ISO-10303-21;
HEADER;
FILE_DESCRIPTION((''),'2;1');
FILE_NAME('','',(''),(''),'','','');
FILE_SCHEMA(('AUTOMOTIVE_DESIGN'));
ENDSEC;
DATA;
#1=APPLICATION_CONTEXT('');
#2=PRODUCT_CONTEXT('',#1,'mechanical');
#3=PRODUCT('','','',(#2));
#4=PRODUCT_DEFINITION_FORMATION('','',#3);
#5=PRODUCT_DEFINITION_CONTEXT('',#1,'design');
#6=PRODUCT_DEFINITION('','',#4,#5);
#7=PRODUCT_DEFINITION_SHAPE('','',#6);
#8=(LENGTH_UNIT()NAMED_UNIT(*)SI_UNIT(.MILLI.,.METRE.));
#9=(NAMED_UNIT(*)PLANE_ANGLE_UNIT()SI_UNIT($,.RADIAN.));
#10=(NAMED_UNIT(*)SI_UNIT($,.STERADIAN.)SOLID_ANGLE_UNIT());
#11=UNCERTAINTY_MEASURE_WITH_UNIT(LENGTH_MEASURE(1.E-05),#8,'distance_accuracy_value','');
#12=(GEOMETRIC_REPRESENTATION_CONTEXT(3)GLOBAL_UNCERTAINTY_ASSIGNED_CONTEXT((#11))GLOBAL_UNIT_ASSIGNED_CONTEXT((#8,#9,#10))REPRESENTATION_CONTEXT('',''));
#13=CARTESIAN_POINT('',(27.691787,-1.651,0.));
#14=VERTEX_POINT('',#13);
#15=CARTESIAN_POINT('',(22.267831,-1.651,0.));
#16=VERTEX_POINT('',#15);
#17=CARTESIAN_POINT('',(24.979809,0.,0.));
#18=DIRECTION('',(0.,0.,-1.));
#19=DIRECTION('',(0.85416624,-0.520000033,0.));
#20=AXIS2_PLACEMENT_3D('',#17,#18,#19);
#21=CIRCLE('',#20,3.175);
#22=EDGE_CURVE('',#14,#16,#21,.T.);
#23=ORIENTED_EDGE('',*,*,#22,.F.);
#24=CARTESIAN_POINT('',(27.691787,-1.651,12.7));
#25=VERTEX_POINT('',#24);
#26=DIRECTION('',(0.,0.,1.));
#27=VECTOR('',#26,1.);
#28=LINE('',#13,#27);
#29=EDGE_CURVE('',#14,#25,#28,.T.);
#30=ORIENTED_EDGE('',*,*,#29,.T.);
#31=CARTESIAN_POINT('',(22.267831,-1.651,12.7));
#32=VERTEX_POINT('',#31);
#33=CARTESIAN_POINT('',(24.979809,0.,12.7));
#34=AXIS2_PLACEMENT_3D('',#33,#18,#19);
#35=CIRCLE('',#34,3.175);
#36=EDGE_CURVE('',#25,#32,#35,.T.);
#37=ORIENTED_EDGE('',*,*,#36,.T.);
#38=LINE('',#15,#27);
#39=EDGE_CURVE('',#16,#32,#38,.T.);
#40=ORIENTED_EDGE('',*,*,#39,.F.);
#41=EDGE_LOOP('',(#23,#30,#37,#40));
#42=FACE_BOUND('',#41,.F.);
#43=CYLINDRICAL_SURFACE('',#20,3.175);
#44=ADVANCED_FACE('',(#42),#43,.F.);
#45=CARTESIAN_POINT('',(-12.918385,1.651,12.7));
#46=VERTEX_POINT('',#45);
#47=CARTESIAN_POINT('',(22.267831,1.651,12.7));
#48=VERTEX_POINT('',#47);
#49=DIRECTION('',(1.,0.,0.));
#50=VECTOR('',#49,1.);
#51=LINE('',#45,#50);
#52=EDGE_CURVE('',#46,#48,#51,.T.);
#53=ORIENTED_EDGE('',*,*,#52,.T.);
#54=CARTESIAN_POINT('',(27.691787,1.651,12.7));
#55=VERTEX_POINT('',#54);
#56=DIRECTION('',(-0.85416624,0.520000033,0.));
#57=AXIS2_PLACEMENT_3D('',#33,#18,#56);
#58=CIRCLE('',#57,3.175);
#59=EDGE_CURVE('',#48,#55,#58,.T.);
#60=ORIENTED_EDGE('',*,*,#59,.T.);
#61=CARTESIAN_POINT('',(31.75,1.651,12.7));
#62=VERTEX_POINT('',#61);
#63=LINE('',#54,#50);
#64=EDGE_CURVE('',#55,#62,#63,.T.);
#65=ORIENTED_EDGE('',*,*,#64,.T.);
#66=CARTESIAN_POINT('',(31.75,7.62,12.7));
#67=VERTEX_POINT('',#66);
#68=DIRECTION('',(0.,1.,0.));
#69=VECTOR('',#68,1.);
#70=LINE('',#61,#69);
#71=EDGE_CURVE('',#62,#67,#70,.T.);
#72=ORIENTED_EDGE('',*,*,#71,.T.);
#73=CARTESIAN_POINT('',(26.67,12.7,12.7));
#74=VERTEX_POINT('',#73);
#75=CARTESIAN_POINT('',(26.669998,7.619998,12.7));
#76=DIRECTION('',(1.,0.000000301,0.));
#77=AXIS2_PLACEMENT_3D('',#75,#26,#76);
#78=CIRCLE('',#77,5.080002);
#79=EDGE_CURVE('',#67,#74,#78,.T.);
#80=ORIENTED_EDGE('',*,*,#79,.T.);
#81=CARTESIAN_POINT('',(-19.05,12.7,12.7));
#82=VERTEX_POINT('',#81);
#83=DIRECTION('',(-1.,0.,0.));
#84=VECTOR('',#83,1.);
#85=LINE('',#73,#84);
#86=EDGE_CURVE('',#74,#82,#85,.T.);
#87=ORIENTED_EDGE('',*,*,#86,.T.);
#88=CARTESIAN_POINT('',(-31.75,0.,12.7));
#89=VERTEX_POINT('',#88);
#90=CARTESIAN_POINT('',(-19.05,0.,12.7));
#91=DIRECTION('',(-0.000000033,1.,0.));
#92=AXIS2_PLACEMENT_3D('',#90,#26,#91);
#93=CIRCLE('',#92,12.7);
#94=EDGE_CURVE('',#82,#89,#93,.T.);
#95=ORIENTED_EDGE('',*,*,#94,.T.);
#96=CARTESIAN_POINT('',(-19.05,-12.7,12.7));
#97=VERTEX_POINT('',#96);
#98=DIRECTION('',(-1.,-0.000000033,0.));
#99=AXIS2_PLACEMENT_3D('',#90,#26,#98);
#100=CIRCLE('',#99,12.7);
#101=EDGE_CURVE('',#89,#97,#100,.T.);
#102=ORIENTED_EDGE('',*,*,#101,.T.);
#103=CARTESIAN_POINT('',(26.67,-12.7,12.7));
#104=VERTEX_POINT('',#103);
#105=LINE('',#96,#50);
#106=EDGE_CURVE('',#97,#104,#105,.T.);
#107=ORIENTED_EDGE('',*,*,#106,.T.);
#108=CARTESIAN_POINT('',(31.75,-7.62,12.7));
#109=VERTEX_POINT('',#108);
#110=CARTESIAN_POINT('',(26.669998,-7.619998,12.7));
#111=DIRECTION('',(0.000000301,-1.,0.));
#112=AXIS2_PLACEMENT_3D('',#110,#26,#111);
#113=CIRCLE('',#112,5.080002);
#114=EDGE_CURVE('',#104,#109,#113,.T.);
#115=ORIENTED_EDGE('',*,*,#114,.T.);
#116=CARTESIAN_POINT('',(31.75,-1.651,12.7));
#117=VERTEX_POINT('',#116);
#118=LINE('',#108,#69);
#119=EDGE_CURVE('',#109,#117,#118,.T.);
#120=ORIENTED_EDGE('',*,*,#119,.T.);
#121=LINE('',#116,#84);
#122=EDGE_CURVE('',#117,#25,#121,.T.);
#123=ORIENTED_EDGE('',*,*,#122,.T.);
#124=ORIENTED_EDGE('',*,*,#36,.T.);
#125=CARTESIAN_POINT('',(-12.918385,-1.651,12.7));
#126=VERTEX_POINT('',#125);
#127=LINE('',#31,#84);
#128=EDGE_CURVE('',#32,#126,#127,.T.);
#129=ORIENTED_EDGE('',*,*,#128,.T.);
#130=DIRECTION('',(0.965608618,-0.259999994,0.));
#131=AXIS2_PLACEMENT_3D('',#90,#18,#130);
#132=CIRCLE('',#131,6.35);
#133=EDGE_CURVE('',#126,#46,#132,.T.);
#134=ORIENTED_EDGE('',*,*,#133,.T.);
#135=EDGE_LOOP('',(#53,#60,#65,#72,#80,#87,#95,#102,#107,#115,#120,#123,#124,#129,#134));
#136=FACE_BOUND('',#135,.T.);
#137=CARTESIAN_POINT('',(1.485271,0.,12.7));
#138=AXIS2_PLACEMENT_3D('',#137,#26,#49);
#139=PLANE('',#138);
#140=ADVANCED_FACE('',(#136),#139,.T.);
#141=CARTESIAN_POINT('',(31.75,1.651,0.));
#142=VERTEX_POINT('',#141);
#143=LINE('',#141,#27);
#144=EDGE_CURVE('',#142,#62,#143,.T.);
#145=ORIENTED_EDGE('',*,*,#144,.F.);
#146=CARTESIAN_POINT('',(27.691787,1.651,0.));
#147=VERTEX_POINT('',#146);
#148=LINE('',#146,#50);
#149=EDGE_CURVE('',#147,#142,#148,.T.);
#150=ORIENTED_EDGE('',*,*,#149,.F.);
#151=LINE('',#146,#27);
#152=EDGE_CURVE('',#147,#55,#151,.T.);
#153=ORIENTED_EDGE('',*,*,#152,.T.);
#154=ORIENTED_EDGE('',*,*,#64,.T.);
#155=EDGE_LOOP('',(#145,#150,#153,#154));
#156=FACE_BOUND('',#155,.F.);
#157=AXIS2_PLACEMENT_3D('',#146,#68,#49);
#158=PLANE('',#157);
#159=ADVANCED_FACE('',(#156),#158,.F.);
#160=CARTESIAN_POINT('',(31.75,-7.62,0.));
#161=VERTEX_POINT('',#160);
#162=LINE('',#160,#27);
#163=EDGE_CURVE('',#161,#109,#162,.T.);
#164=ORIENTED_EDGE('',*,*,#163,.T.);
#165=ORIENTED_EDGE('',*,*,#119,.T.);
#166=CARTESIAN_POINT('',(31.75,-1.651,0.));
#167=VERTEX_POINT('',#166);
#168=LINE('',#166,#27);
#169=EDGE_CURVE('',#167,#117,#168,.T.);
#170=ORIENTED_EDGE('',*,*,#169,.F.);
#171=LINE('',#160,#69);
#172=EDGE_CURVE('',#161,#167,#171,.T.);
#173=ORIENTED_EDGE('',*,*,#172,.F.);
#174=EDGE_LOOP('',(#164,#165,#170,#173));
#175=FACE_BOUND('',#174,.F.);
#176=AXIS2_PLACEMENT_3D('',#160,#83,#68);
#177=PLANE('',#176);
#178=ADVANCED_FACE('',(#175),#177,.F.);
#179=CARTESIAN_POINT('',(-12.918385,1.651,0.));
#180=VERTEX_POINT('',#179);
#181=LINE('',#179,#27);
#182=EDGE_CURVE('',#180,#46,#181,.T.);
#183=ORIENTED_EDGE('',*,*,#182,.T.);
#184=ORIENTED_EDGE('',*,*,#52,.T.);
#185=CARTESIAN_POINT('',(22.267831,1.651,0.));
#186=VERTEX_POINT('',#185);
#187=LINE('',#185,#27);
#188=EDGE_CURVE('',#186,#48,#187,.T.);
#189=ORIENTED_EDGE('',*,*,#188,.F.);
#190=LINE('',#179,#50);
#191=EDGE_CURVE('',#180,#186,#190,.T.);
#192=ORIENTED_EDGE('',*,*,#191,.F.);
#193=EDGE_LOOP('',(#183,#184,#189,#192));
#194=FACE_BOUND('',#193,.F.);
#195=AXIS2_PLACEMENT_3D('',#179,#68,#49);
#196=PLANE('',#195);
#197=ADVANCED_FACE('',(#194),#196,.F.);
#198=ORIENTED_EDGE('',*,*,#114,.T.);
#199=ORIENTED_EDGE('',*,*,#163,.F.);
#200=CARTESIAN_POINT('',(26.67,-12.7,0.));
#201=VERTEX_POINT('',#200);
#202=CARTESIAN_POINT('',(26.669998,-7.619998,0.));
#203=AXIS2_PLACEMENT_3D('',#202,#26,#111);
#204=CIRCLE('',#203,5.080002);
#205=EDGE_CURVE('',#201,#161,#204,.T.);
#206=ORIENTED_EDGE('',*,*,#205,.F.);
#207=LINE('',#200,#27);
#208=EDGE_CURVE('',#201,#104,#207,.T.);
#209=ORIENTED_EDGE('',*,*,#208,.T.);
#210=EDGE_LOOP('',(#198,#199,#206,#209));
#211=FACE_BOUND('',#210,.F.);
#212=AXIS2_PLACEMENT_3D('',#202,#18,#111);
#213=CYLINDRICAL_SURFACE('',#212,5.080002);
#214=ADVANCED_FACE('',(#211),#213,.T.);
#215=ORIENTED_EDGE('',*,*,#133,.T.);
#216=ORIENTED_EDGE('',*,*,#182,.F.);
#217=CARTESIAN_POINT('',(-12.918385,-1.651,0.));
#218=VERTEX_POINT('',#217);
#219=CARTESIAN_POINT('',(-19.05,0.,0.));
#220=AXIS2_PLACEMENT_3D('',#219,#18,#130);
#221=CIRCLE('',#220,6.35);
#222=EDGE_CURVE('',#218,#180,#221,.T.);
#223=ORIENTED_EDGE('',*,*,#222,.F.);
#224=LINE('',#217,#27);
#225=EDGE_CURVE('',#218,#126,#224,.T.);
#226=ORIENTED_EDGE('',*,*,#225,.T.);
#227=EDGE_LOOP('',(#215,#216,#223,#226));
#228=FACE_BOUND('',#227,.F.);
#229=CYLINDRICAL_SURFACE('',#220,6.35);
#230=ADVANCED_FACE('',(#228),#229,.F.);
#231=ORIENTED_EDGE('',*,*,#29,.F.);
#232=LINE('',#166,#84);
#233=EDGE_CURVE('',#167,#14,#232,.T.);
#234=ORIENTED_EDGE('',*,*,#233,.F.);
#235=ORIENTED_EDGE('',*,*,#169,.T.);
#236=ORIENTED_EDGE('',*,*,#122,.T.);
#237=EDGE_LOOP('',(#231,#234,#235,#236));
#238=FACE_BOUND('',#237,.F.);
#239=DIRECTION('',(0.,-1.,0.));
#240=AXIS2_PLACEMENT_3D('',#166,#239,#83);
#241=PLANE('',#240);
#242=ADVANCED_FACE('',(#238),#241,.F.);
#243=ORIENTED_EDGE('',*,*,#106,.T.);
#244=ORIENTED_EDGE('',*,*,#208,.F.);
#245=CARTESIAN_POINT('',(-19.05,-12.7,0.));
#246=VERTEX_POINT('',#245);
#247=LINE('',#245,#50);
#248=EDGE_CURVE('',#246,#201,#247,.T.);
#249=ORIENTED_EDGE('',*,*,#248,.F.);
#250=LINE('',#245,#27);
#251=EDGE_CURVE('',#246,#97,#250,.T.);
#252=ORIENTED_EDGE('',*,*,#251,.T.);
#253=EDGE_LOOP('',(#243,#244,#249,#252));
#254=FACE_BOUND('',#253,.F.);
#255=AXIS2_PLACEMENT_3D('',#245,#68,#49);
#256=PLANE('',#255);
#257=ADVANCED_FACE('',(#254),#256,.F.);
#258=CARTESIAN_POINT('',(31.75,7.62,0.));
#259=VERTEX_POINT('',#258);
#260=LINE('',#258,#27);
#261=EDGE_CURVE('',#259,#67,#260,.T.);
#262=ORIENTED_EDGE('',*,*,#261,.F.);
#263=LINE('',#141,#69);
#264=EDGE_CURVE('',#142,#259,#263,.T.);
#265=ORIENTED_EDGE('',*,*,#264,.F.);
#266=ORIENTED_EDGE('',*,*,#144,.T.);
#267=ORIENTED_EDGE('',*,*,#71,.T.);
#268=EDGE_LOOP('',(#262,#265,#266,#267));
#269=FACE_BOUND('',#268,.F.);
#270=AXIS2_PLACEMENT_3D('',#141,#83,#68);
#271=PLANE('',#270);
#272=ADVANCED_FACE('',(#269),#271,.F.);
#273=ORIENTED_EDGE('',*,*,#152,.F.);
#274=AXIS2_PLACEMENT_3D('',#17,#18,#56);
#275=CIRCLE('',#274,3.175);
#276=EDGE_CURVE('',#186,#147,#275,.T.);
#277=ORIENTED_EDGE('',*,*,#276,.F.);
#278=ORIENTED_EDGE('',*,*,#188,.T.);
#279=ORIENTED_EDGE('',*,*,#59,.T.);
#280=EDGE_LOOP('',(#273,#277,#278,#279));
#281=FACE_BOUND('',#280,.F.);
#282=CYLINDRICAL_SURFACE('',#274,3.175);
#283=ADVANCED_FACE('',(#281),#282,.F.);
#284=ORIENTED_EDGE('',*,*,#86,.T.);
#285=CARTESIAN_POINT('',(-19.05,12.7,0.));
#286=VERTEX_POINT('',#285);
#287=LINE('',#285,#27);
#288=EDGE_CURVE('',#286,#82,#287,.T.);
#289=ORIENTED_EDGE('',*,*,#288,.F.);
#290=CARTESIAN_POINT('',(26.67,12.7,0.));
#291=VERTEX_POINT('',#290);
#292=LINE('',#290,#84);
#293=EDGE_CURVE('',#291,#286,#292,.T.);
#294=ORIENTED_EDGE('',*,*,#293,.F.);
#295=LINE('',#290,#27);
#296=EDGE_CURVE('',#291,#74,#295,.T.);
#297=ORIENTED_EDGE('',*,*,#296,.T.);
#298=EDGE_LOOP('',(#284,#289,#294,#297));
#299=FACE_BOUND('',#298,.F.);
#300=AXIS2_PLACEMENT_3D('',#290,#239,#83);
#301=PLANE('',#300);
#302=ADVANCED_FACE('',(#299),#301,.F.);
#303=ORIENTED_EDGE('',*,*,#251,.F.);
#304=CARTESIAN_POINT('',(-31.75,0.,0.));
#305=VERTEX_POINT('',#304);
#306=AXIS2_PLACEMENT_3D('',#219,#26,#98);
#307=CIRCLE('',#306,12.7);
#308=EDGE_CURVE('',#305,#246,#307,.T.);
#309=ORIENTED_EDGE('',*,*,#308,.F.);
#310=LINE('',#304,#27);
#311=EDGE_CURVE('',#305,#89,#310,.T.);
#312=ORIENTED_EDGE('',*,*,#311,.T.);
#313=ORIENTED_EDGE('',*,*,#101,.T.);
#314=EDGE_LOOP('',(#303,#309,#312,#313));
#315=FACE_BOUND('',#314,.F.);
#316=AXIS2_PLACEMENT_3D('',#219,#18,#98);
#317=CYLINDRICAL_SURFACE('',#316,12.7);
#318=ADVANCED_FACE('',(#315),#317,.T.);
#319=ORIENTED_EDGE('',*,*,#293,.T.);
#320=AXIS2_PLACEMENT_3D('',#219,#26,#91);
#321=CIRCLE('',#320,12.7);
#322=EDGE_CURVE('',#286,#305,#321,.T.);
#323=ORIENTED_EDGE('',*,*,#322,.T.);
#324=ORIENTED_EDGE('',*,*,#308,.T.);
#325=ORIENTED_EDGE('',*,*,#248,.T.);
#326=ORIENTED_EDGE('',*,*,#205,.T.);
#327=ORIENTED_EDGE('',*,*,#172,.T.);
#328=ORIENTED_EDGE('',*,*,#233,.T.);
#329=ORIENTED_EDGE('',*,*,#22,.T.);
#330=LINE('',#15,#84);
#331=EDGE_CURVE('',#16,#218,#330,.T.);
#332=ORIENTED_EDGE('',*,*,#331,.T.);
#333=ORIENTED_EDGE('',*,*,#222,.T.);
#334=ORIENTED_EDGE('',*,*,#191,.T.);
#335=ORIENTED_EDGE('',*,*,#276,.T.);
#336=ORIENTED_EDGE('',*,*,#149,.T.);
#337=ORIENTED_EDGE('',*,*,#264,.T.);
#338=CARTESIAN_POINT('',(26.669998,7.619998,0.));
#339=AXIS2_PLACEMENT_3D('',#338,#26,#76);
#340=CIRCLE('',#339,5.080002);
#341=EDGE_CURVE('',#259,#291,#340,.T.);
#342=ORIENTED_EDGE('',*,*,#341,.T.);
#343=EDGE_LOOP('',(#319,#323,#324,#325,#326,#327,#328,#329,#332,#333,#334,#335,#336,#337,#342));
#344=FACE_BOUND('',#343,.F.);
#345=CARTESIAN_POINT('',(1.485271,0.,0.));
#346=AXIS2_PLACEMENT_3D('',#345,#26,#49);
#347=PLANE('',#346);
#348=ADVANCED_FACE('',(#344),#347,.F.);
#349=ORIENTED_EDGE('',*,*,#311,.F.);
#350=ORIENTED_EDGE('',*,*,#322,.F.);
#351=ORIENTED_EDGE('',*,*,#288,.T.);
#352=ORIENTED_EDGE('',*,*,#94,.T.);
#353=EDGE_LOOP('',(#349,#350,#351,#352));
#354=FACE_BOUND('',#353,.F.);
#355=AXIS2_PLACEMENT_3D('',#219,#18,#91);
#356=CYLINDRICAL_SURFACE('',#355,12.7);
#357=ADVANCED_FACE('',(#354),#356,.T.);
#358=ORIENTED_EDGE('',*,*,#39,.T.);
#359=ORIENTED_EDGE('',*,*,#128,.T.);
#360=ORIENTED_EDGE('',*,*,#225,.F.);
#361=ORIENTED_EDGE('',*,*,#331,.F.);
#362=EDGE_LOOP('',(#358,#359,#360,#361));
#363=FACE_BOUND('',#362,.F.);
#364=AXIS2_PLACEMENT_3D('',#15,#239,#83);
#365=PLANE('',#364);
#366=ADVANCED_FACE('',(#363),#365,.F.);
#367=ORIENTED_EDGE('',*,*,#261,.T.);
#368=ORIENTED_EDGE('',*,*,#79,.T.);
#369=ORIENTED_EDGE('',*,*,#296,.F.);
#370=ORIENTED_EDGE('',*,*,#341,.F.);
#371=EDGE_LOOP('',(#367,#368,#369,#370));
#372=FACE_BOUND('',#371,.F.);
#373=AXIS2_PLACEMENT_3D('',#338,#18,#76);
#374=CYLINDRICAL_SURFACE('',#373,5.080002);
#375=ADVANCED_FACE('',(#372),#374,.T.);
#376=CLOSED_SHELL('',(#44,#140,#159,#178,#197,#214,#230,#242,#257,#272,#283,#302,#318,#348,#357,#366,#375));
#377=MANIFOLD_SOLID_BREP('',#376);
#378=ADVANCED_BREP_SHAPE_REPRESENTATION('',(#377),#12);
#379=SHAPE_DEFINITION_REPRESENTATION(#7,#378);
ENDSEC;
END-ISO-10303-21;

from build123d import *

# Parameters (mm, degrees)
F1_DEPTH = 12.7


with BuildPart() as f1:
    # F0 (on Top) → F1 (new body)
    with BuildSketch(Plane.XY):
        with BuildLine():
            Line((-19.05, -12.7), (26.67, -12.7))
            ThreePointArc((26.67, -12.7), (30.262102, -11.212102), (31.75, -7.62))
            Line((31.75, -7.62), (31.75, -1.651))
            Line((31.75, -1.651), (27.691787, -1.651))
            ThreePointArc((27.691787, -1.651), (24.979809, -3.175), (22.267831, -1.651))
            Line((22.267831, -1.651), (-12.918385, -1.651))
            ThreePointArc((-12.918385, -1.651), (-25.4, 0), (-12.918385, 1.651))
            Line((-12.918385, 1.651), (22.267831, 1.651))
            ThreePointArc((22.267831, 1.651), (24.979809, 3.175), (27.691787, 1.651))
            Line((27.691787, 1.651), (31.75, 1.651))
            Line((31.75, 1.651), (31.75, 7.62))
            ThreePointArc((31.75, 7.62), (30.262102, 11.212102), (26.67, 12.7))
            Line((26.67, 12.7), (-19.05, 12.7))
            ThreePointArc((-19.05, 12.7), (-28.030256, 8.980256), (-31.75, 0))
            ThreePointArc((-31.75, 0), (-28.030256, -8.980256), (-19.05, -12.7))
        make_face()
    extrude(amount=F1_DEPTH)


solid = f1.part
